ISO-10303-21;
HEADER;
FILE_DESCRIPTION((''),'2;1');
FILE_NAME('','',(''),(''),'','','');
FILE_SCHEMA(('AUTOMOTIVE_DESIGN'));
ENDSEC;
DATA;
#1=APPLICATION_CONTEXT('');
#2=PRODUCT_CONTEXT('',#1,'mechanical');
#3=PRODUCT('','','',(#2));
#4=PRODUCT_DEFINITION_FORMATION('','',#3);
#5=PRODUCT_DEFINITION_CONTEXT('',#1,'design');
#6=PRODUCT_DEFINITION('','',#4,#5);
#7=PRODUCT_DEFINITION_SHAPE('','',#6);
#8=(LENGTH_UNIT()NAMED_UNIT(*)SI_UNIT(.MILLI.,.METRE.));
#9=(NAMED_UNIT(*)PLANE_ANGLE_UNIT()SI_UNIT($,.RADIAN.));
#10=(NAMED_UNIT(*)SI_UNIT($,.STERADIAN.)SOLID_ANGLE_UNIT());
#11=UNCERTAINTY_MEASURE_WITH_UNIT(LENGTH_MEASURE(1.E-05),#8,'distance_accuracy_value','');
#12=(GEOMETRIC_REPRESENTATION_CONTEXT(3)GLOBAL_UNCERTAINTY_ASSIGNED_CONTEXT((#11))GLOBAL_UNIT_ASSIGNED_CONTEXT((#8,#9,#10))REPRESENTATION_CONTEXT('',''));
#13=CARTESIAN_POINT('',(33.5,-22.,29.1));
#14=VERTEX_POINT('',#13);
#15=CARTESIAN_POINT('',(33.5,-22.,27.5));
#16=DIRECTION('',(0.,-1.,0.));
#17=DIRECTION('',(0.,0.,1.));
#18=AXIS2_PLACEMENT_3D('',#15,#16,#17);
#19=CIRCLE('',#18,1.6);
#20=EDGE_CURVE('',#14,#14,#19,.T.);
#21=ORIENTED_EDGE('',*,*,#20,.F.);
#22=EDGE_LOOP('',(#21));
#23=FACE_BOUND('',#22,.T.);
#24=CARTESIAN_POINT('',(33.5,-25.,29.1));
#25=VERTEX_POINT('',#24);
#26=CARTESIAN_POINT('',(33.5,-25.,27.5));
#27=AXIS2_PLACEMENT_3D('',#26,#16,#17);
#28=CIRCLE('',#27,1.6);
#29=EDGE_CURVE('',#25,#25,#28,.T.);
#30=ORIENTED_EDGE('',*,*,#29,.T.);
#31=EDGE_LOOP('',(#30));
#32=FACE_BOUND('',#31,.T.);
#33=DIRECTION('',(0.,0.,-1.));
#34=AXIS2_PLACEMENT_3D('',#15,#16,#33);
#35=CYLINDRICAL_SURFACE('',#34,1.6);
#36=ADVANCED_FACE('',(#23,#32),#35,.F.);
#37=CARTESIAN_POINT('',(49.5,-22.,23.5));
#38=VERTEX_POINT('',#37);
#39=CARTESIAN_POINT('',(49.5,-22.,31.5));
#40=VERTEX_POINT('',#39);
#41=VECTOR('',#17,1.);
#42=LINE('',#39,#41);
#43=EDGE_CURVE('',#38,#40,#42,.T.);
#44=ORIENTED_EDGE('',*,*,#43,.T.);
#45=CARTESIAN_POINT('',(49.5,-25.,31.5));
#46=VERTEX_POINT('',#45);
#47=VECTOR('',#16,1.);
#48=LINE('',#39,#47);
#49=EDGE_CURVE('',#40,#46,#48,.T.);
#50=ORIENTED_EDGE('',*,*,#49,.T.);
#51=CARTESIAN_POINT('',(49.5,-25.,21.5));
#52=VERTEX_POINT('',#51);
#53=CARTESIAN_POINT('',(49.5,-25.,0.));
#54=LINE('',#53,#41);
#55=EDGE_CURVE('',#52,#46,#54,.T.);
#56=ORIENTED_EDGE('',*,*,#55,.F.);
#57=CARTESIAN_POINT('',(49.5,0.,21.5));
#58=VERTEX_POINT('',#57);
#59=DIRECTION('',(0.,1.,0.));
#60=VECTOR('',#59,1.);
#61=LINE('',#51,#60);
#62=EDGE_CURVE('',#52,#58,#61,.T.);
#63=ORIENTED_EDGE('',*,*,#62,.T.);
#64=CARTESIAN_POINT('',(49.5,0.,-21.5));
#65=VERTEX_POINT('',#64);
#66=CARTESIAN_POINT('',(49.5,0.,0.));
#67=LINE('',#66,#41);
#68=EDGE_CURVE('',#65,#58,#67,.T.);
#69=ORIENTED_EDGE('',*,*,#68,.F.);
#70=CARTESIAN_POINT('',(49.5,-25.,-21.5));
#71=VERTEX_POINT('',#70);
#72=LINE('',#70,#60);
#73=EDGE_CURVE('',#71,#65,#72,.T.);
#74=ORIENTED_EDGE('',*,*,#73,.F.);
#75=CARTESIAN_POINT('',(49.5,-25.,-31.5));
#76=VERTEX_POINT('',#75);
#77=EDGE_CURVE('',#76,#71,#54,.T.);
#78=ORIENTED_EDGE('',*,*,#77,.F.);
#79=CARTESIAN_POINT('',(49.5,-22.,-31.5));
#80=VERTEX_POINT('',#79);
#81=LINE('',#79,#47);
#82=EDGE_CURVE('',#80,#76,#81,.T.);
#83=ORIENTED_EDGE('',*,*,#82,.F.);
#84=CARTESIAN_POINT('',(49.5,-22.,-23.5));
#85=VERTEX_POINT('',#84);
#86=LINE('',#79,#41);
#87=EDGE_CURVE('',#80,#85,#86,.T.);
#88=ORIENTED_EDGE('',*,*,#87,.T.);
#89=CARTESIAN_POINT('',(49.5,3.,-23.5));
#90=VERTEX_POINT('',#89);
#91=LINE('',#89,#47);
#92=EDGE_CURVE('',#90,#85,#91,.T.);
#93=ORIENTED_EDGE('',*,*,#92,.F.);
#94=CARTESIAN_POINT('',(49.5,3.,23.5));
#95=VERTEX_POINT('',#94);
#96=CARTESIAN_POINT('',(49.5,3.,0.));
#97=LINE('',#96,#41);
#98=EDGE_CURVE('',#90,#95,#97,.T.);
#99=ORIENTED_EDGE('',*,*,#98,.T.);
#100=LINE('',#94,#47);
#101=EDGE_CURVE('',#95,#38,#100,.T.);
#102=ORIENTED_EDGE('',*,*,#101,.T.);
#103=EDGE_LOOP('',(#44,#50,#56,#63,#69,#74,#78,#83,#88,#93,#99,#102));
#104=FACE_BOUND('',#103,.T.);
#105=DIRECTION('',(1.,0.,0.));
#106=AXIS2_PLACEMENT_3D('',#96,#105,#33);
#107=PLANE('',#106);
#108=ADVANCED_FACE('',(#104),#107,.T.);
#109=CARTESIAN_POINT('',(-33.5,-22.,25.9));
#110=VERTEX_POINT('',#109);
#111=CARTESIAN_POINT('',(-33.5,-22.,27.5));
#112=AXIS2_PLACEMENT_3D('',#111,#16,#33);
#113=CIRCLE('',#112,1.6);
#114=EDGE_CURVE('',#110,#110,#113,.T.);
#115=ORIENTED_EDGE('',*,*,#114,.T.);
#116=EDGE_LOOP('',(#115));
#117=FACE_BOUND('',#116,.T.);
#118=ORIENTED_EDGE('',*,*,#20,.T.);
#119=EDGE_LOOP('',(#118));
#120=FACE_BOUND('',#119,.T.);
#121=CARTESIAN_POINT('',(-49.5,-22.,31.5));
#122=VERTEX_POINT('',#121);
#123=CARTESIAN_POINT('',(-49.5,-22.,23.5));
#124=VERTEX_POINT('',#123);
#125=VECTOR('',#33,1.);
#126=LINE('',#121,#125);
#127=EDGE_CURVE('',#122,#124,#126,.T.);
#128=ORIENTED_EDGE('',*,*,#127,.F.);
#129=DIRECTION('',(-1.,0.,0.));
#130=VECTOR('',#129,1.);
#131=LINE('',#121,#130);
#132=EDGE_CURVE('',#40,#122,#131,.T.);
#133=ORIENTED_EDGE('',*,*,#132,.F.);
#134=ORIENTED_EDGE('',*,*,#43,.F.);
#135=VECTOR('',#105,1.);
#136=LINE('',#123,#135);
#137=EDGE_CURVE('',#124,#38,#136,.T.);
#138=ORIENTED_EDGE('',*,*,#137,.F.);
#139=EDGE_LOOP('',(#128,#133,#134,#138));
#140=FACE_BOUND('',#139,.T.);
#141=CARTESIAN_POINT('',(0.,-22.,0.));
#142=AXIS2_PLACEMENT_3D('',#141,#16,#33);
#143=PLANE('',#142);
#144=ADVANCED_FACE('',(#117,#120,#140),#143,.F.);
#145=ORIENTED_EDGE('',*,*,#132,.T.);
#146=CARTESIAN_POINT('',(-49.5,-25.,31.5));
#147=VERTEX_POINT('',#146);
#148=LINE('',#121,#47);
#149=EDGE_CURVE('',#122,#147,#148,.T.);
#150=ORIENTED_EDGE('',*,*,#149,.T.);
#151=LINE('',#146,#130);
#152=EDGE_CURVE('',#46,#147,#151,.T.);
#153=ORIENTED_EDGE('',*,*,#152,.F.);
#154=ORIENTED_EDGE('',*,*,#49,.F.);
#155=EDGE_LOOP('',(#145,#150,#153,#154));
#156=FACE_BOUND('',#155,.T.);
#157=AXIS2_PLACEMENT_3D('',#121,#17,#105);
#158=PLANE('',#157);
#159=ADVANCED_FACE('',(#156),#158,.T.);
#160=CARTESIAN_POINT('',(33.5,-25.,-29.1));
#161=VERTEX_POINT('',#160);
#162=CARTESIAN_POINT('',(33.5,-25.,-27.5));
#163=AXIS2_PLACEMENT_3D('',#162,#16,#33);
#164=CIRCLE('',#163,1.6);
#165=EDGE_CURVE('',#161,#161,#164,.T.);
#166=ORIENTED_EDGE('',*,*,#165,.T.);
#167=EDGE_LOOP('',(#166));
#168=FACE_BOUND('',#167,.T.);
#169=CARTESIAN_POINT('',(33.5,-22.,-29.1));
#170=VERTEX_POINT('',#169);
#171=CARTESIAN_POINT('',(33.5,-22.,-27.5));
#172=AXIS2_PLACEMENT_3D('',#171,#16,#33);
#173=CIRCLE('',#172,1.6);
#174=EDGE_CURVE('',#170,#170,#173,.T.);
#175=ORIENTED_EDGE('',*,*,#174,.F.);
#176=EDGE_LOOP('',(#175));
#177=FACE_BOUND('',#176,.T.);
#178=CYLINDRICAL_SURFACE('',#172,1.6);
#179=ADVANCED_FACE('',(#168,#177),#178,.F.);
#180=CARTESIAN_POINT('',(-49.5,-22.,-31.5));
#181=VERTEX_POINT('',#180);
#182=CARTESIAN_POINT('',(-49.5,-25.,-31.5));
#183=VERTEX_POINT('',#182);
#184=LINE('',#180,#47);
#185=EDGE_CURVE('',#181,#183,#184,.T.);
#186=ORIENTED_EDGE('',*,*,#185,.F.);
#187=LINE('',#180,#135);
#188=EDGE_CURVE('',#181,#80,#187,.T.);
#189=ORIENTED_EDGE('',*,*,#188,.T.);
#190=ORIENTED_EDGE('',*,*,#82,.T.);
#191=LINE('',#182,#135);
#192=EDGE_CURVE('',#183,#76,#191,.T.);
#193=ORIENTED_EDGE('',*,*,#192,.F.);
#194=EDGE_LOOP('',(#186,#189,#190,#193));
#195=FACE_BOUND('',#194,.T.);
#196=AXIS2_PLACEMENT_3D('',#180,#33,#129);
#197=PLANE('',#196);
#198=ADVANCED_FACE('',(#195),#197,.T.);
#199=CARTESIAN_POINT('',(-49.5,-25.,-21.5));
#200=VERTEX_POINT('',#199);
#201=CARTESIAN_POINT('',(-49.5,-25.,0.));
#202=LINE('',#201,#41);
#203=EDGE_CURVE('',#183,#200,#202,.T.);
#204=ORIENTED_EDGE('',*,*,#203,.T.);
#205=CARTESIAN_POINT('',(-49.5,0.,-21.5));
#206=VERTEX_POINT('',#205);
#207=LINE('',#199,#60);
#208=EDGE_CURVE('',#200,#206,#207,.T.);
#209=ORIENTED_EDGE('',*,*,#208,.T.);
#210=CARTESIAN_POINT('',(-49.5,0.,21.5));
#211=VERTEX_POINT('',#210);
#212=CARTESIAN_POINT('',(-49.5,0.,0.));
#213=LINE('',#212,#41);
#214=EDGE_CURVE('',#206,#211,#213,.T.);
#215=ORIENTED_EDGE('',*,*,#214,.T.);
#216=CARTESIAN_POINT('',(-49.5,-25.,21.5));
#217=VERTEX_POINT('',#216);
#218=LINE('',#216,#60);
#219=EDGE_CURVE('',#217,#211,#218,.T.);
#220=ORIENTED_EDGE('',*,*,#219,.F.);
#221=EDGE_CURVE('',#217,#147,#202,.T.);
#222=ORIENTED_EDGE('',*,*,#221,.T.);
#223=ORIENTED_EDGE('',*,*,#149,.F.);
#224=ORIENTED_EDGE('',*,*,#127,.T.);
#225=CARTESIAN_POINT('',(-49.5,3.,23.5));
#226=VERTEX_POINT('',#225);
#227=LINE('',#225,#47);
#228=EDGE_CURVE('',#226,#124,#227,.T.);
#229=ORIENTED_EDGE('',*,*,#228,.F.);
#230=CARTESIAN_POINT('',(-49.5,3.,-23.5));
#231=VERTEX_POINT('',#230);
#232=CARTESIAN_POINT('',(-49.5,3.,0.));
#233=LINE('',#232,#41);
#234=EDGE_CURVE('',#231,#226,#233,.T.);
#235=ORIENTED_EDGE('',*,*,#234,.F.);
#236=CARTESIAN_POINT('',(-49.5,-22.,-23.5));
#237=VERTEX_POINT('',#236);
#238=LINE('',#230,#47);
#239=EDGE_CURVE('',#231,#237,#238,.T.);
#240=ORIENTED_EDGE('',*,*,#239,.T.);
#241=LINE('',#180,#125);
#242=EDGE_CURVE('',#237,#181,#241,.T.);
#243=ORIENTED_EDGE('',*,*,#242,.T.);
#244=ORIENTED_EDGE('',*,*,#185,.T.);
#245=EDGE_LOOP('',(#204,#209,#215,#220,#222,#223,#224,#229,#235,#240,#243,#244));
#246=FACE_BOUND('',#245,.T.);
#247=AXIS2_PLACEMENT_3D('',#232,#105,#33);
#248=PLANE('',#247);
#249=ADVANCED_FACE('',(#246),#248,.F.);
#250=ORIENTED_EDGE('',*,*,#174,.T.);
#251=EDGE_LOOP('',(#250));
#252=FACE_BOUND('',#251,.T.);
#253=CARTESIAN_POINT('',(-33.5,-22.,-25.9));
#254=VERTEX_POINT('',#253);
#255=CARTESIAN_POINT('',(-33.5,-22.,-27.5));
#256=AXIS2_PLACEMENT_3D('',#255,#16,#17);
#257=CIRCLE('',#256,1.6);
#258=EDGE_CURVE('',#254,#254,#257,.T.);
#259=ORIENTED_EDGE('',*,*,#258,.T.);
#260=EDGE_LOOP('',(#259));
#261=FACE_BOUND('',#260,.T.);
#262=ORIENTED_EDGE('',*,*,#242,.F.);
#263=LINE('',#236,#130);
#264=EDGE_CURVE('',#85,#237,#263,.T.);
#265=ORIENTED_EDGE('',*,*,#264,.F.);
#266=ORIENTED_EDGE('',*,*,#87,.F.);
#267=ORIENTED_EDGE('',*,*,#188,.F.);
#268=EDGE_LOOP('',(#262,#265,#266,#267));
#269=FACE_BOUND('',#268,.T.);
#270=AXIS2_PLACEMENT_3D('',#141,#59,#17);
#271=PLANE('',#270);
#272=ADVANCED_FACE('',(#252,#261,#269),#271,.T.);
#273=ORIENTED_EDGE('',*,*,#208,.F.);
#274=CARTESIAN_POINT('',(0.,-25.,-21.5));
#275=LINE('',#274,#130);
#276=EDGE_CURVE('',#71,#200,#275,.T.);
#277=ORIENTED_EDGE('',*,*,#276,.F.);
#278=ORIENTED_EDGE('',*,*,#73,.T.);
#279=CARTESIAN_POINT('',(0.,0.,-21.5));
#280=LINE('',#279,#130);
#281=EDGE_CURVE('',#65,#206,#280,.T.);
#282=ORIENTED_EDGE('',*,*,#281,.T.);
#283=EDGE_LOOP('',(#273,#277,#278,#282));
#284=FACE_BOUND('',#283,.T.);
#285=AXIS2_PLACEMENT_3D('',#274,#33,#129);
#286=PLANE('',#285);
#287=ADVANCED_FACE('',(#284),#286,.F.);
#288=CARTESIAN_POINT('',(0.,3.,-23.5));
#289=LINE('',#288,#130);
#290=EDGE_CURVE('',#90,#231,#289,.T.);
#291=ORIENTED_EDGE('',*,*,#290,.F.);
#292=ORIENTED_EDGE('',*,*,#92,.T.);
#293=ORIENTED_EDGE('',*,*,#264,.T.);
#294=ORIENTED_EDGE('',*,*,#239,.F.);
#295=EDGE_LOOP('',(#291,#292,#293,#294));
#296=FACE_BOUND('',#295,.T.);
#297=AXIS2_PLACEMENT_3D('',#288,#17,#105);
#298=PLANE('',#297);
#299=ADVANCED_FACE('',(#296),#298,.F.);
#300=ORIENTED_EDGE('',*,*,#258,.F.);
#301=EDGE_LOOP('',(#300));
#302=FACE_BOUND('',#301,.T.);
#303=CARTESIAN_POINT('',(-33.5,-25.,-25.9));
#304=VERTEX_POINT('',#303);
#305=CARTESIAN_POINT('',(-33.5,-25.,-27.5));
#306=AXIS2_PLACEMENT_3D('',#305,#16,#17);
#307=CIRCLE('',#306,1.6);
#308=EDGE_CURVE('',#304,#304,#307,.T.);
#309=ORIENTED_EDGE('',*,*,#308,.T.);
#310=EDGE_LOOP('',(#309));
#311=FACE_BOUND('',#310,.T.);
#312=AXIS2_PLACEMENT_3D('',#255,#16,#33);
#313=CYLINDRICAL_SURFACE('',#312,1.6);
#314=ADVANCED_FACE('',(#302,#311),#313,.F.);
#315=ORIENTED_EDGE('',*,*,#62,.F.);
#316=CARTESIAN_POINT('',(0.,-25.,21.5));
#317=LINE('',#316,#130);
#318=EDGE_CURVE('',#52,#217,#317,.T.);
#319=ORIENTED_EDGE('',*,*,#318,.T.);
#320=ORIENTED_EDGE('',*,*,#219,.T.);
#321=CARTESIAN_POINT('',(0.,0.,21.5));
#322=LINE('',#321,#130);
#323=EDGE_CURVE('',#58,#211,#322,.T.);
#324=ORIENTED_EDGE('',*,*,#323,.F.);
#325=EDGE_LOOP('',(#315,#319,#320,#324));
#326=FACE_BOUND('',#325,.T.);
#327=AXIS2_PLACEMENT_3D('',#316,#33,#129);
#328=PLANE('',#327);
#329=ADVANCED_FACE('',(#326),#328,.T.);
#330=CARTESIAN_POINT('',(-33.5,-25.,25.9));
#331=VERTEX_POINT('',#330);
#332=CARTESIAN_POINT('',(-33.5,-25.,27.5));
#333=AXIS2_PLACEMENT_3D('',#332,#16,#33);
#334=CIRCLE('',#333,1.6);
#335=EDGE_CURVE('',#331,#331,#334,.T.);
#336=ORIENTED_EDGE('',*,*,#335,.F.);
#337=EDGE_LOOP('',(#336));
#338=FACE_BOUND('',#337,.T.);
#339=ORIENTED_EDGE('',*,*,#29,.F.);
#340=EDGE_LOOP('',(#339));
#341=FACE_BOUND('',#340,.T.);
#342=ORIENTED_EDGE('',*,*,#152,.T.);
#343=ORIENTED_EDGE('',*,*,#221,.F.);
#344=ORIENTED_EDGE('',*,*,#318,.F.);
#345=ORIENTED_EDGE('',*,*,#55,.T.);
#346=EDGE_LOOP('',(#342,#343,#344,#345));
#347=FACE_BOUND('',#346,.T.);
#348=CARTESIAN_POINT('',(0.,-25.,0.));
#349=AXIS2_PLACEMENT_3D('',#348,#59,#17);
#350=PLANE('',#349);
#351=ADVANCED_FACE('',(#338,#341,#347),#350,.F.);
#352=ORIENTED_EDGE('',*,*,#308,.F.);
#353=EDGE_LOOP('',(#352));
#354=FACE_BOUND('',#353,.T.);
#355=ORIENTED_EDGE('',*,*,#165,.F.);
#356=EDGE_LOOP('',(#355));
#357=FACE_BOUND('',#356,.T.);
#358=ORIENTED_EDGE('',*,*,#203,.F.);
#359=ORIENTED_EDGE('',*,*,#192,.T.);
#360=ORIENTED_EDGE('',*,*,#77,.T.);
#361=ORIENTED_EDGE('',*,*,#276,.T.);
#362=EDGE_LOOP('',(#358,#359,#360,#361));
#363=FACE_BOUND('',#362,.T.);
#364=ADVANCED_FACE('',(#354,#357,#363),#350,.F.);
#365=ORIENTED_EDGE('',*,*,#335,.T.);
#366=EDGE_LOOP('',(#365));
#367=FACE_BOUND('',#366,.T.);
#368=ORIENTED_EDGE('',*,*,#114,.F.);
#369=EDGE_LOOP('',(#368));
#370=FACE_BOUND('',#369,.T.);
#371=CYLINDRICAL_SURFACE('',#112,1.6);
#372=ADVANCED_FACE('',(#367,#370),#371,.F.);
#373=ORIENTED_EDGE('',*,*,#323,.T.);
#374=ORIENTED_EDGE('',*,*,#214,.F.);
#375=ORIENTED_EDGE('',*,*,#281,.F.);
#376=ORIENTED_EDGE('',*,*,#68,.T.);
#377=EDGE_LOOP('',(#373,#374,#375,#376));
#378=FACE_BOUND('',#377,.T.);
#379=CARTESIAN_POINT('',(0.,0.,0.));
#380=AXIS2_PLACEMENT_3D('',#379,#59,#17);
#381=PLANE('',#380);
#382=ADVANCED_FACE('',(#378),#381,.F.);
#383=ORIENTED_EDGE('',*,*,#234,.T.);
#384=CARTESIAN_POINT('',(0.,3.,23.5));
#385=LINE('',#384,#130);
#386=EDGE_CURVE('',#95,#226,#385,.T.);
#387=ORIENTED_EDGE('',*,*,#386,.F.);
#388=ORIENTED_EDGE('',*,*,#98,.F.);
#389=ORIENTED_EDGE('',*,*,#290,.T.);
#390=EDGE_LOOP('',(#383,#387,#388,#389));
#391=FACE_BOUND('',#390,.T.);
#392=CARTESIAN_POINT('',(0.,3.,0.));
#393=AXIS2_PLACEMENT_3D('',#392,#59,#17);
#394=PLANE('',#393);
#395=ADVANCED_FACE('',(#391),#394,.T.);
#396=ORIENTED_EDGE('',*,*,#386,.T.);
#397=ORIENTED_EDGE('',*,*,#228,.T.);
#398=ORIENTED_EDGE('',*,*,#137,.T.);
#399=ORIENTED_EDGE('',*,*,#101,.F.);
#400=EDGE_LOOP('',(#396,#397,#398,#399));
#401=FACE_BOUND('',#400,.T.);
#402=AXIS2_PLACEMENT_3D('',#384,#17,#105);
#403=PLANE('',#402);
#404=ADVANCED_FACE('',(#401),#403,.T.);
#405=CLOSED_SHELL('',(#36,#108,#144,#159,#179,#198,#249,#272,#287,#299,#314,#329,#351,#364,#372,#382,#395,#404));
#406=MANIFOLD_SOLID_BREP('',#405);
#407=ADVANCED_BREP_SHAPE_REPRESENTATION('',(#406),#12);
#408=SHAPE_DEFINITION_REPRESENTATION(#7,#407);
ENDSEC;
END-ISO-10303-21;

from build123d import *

# Parameters (mm, degrees)
SKETCH1_W           = 99
SKETCH1_H           = 47
BOSS_EXTRUDE1_DEPTH = 3
SKETCH1_5_W         = 99
SKETCH1_5_H         = 2
BOSS_EXTRUDE2_DEPTH = 25
SKETCH3_W           = 99
SKETCH3_H           = 8
SKETCH3_R           = 1.6
BOSS_EXTRUDE3_DEPTH = 3


with BuildPart() as part:
    # Sketch1 → Boss-Extrude1 (new body)
    with BuildSketch(Plane(origin=(0, 0, 0), x_dir=(1, 0, 0), z_dir=(0, 1, 0))):
        Rectangle(SKETCH1_W, SKETCH1_H)
    extrude(amount=BOSS_EXTRUDE1_DEPTH)

    # Sketch1<5> → Boss-Extrude2 (add)
    with BuildSketch(Plane(origin=(0, 0, 0), x_dir=(1, 0, 0), z_dir=(0, 1, 0))):
        with Locations((0, 22.5)):
            Rectangle(SKETCH1_5_W, SKETCH1_5_H)
        with Locations((0, -22.5)):
            Rectangle(SKETCH1_5_W, SKETCH1_5_H)
    extrude(amount=-BOSS_EXTRUDE2_DEPTH)

    # Sketch3 → Boss-Extrude3 (add)
    # profile 1 of 2: a face of its own
    with BuildSketch(Plane.XZ.offset(25)):
        with Locations((0, 27.5)):
            Rectangle(SKETCH3_W, SKETCH3_H)
        with Locations((-33.5, 27.5)):
            Circle(SKETCH3_R, mode=Mode.SUBTRACT)
        with Locations((33.5, 27.5)):
            Circle(SKETCH3_R, mode=Mode.SUBTRACT)
    # profile 2 of 2: a face of its own
    with BuildSketch(Plane.XZ.offset(25)):
        with Locations((0, -27.5)):
            Rectangle(SKETCH3_W, SKETCH3_H)
        with Locations((33.5, -27.5)):
            Circle(SKETCH3_R, mode=Mode.SUBTRACT)
        with Locations((-33.5, -27.5)):
            Circle(SKETCH3_R, mode=Mode.SUBTRACT)
    extrude(amount=-BOSS_EXTRUDE3_DEPTH)


solid = part.part
